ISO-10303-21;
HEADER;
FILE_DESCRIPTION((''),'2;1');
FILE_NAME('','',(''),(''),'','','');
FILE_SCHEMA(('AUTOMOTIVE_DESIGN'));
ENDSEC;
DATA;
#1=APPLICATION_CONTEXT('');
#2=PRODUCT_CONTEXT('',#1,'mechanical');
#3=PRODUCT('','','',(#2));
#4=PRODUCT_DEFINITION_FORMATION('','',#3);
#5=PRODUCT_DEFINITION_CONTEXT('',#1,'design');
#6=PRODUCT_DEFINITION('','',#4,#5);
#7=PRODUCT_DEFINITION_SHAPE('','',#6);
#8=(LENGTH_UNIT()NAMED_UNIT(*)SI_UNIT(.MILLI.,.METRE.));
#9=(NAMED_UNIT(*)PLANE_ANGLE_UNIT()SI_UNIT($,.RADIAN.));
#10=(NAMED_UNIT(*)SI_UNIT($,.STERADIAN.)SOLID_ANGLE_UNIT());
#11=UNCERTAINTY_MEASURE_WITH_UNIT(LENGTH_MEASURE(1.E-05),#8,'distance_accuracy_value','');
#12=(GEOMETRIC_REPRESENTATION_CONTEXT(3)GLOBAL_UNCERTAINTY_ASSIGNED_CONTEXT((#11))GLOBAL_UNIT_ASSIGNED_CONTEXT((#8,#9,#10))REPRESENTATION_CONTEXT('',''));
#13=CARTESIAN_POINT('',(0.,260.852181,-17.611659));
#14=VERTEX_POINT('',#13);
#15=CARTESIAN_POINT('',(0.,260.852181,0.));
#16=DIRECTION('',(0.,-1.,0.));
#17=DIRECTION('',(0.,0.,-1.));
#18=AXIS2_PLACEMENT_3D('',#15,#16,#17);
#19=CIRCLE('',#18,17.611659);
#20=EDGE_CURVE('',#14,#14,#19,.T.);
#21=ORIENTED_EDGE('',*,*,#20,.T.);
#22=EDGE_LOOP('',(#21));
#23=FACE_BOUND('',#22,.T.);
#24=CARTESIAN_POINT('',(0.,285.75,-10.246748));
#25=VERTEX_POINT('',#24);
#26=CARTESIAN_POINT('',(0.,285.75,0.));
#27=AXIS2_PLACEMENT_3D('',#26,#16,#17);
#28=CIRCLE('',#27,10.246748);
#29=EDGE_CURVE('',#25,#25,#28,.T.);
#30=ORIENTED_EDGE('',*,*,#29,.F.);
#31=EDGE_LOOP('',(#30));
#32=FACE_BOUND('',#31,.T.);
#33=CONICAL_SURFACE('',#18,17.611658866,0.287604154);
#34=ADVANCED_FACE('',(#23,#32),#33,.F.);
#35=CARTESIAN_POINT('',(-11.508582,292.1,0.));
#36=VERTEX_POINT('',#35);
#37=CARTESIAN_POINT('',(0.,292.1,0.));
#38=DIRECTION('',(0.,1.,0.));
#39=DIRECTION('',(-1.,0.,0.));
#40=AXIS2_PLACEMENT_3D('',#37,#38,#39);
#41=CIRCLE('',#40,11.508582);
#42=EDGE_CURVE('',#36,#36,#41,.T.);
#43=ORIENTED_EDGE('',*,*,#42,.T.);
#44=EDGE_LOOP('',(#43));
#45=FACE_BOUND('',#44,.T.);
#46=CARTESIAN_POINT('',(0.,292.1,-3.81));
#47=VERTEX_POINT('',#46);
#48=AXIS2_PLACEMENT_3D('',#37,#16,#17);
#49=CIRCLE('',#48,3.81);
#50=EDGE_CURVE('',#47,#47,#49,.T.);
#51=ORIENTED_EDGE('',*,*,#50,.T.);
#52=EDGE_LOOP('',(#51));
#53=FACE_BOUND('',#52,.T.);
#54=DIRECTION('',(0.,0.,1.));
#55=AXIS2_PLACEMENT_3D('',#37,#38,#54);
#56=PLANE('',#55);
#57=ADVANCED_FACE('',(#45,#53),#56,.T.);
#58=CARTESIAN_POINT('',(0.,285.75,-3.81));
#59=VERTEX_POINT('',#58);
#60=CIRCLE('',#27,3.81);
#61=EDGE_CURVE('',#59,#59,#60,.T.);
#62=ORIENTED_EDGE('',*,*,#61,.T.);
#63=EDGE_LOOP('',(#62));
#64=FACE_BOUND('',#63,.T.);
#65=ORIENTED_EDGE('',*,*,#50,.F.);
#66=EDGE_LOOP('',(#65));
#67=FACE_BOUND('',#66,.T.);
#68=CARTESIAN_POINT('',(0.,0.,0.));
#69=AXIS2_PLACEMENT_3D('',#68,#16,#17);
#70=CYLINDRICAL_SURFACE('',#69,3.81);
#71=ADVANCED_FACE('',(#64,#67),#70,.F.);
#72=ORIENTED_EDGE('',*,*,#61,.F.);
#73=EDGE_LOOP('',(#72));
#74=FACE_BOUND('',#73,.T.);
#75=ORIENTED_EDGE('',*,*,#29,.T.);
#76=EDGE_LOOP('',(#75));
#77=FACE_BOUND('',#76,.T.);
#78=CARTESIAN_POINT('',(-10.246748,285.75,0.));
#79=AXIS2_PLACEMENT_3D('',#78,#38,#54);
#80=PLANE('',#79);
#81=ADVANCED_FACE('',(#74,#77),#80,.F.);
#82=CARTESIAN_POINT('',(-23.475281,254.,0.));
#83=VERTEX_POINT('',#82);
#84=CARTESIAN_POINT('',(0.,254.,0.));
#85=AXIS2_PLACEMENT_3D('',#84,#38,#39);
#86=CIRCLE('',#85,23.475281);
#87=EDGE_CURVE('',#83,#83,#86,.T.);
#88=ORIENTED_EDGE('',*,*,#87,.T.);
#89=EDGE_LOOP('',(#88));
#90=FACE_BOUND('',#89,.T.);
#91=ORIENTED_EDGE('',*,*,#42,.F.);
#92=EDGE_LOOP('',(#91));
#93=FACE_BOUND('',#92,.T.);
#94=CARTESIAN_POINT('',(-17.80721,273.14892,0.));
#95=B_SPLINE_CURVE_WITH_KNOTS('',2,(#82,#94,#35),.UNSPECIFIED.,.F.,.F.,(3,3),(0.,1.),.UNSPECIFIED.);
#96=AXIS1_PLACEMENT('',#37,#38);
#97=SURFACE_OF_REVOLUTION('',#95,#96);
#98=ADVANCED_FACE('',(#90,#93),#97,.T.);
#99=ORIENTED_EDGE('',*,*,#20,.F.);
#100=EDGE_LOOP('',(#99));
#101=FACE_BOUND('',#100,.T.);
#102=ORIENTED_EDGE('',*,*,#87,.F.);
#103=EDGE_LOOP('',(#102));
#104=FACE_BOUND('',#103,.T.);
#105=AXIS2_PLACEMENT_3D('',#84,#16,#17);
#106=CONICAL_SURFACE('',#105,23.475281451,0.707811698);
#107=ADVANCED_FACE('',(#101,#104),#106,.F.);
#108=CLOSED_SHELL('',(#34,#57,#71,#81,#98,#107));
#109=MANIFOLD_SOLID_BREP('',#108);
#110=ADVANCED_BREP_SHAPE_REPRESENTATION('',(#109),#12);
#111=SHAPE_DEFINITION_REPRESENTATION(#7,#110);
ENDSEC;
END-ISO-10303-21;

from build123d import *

# Parameters (mm, degrees)
SKETCH7_R          = 317.5
CUT_EXTRUDE2_DEPTH = 88.9
SKETCH10_R         = 85.772186651
CUT_EXTRUDE3_DEPTH = 254


with BuildPart() as part:
    # Sketch2 → Revolve1 (revolve)
    with BuildSketch(Plane.XY):
        with BuildLine():
            Line((-76.2, 0), (-69.85, 0))
            ThreePointArc((-69.85, 0), (-46.178344337, 164.977710697), (0, 325.12))
            Line((0, 325.12), (0, 330.2))
            ThreePointArc((0, 330.2), (-50.970594074, 168.070137094), (-76.2, 0))
        make_face()
    revolve(axis=Axis((0, 330.2, 0), (0, -1, 0)))

    # Sketch7 → Cut-Extrude2 (cut)
    with BuildSketch(Plane(origin=(0, 381, 0), x_dir=(1, 0, 0), z_dir=(0, 1, 0))):
        Circle(SKETCH7_R)
    extrude(amount=-CUT_EXTRUDE2_DEPTH, mode=Mode.SUBTRACT)


with BuildPart() as revolve2_tool:
    # Sketch9 → Revolve2 (revolve)
    with BuildSketch(Plane.XY):
        with BuildLine():
            Line((-3.81, 292.1), (-11.508581929, 292.1))
            add(Edge.make_bspline(
                [(-11.508581929, 292.1), (-17.806824774, 273.150147369), (-23.475281451, 254)],
                knots=[0, 0, 0, 1, 1, 1], degree=2))
            Line((-23.475281451, 254), (-17.611658866, 260.852181246))
            Line((-17.611658866, 260.852181246), (-10.246748418, 285.75))
            Line((-10.246748418, 285.75), (-3.81, 285.75))
            Line((-3.81, 285.75), (-3.81, 292.1))
        make_face()
    revolve(axis=Axis((0, 0, 0), (0, 1, 0)))


with BuildPart() as part_1:
    add(part.part)


with BuildPart() as part_2:
    # Revolve2: joined with revolve2_tool
    add(part_1.part.fuse(revolve2_tool.part, tol=0.00001))

    # Sketch10 → Cut-Extrude3 (cut)
    with BuildSketch(Plane.XZ):
        Circle(SKETCH10_R)
    extrude(amount=-CUT_EXTRUDE3_DEPTH, mode=Mode.SUBTRACT)

    # Sketch11 → Cut-Revolve1 (revolve, cut)
    with BuildSketch(Plane.XY):
        with BuildLine():
            Line((-11.508581929, 292.1), (-17.218255747, 292.1))
            Line((-17.218255747, 292.1), (-28.877637537, 252.581941016))
            Line((-28.877637537, 252.581941016), (-23.475281451, 254))
            add(Edge.make_bspline(
                [(-23.475281451, 254), (-17.807210235, 273.148920026), (-11.508581929, 292.1)],
                knots=[0, 0, 0, 1, 1, 1], degree=2))
        make_face()
    revolve(axis=Axis((0, 292.1, 0), (0, -1, 0)), mode=Mode.SUBTRACT)


solid = part_2.part
